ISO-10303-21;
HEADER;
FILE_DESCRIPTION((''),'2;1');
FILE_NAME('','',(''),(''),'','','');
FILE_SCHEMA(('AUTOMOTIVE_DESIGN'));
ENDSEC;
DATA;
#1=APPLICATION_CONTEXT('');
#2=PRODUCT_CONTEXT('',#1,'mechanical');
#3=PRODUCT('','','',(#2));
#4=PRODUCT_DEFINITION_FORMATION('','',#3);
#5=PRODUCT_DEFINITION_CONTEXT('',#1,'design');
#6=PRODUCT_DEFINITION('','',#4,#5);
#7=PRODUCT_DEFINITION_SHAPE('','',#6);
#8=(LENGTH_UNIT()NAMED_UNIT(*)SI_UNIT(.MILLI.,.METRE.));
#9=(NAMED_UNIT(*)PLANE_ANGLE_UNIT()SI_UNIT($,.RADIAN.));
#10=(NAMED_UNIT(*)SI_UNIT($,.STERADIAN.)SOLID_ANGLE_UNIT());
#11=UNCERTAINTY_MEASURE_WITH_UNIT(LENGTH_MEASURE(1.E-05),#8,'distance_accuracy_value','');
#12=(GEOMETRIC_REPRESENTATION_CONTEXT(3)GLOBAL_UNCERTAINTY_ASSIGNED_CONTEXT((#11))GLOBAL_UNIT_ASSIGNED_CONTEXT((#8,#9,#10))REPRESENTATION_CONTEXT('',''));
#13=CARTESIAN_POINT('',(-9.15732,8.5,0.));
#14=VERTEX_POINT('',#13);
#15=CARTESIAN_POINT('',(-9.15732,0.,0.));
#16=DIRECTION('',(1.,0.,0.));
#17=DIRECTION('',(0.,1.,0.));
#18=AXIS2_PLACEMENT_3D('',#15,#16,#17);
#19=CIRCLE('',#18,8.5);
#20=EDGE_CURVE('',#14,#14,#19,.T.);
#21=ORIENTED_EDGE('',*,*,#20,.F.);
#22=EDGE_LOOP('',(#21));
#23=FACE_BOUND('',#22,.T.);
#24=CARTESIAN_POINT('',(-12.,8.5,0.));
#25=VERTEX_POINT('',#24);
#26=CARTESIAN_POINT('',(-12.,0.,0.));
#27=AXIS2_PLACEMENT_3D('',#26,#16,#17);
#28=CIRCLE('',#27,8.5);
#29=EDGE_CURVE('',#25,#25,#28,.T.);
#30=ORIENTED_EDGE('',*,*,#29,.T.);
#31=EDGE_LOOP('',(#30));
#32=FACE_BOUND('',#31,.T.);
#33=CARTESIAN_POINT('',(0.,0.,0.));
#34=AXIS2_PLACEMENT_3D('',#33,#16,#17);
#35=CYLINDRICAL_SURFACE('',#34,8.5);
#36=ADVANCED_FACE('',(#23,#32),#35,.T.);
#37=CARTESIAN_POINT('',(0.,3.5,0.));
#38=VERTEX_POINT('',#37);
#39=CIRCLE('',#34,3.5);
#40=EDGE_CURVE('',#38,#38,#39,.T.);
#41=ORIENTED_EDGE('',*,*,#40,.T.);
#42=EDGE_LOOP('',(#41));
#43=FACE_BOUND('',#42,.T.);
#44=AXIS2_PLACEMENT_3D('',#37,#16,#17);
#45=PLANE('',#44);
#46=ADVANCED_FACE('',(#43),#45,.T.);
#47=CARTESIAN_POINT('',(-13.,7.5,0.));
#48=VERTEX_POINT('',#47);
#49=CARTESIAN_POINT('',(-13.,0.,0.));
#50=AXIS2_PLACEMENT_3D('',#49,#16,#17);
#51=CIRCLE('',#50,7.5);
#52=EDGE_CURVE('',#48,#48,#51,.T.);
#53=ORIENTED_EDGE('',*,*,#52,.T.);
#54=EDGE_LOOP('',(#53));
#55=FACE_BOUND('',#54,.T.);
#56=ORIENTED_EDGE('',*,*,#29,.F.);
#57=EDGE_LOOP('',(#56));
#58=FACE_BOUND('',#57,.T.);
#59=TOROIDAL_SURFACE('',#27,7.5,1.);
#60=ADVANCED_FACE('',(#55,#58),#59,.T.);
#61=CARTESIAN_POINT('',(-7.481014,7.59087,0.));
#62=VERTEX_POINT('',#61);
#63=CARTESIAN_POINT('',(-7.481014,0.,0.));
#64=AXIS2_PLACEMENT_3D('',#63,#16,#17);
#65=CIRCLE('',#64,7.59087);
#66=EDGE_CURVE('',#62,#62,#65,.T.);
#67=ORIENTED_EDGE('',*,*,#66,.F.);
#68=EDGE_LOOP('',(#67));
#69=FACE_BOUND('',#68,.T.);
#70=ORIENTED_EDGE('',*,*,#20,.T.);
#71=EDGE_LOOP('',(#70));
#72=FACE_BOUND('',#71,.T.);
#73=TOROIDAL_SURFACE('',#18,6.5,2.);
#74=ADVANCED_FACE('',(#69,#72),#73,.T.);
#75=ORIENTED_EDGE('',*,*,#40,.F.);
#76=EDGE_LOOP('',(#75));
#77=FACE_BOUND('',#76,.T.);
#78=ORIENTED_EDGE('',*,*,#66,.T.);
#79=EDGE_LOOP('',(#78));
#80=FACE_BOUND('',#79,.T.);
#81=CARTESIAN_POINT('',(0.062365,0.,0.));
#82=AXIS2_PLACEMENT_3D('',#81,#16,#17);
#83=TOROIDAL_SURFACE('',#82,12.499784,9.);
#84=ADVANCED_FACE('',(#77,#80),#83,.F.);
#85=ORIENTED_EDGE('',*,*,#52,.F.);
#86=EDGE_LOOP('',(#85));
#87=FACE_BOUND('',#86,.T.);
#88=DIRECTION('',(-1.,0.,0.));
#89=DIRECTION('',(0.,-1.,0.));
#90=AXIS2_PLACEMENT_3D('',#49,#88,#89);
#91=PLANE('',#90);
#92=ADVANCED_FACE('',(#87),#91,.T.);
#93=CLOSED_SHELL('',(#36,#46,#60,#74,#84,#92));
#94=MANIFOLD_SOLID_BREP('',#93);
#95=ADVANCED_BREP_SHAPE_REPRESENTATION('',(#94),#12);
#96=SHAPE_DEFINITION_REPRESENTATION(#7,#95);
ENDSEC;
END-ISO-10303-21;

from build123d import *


with BuildPart() as part:
    # Sketch1 → Revolve1 (revolve)
    with BuildSketch(Plane.XY):
        with BuildLine():
            Line((-13, 0), (-13, 7.5))
            ThreePointArc((-13, 7.5), (-12.707106781, 8.207106781), (-12, 8.5))
            Line((-12, 8.5), (-9.157320126, 8.5))
            ThreePointArc((-9.157320126, 8.5), (-8.203836935, 8.258086973), (-7.481013749, 7.590869804))
            ThreePointArc((-7.481013749, 7.590869804), (-4.255694574, 4.603306101), (0, 3.5))
            Line((0, 3.5), (0, 0))
            Line((0, 0), (-13, 0))
        make_face()
    revolve(axis=Axis((0, 0, 0), (-1, 0, 0)))


solid = part.part
